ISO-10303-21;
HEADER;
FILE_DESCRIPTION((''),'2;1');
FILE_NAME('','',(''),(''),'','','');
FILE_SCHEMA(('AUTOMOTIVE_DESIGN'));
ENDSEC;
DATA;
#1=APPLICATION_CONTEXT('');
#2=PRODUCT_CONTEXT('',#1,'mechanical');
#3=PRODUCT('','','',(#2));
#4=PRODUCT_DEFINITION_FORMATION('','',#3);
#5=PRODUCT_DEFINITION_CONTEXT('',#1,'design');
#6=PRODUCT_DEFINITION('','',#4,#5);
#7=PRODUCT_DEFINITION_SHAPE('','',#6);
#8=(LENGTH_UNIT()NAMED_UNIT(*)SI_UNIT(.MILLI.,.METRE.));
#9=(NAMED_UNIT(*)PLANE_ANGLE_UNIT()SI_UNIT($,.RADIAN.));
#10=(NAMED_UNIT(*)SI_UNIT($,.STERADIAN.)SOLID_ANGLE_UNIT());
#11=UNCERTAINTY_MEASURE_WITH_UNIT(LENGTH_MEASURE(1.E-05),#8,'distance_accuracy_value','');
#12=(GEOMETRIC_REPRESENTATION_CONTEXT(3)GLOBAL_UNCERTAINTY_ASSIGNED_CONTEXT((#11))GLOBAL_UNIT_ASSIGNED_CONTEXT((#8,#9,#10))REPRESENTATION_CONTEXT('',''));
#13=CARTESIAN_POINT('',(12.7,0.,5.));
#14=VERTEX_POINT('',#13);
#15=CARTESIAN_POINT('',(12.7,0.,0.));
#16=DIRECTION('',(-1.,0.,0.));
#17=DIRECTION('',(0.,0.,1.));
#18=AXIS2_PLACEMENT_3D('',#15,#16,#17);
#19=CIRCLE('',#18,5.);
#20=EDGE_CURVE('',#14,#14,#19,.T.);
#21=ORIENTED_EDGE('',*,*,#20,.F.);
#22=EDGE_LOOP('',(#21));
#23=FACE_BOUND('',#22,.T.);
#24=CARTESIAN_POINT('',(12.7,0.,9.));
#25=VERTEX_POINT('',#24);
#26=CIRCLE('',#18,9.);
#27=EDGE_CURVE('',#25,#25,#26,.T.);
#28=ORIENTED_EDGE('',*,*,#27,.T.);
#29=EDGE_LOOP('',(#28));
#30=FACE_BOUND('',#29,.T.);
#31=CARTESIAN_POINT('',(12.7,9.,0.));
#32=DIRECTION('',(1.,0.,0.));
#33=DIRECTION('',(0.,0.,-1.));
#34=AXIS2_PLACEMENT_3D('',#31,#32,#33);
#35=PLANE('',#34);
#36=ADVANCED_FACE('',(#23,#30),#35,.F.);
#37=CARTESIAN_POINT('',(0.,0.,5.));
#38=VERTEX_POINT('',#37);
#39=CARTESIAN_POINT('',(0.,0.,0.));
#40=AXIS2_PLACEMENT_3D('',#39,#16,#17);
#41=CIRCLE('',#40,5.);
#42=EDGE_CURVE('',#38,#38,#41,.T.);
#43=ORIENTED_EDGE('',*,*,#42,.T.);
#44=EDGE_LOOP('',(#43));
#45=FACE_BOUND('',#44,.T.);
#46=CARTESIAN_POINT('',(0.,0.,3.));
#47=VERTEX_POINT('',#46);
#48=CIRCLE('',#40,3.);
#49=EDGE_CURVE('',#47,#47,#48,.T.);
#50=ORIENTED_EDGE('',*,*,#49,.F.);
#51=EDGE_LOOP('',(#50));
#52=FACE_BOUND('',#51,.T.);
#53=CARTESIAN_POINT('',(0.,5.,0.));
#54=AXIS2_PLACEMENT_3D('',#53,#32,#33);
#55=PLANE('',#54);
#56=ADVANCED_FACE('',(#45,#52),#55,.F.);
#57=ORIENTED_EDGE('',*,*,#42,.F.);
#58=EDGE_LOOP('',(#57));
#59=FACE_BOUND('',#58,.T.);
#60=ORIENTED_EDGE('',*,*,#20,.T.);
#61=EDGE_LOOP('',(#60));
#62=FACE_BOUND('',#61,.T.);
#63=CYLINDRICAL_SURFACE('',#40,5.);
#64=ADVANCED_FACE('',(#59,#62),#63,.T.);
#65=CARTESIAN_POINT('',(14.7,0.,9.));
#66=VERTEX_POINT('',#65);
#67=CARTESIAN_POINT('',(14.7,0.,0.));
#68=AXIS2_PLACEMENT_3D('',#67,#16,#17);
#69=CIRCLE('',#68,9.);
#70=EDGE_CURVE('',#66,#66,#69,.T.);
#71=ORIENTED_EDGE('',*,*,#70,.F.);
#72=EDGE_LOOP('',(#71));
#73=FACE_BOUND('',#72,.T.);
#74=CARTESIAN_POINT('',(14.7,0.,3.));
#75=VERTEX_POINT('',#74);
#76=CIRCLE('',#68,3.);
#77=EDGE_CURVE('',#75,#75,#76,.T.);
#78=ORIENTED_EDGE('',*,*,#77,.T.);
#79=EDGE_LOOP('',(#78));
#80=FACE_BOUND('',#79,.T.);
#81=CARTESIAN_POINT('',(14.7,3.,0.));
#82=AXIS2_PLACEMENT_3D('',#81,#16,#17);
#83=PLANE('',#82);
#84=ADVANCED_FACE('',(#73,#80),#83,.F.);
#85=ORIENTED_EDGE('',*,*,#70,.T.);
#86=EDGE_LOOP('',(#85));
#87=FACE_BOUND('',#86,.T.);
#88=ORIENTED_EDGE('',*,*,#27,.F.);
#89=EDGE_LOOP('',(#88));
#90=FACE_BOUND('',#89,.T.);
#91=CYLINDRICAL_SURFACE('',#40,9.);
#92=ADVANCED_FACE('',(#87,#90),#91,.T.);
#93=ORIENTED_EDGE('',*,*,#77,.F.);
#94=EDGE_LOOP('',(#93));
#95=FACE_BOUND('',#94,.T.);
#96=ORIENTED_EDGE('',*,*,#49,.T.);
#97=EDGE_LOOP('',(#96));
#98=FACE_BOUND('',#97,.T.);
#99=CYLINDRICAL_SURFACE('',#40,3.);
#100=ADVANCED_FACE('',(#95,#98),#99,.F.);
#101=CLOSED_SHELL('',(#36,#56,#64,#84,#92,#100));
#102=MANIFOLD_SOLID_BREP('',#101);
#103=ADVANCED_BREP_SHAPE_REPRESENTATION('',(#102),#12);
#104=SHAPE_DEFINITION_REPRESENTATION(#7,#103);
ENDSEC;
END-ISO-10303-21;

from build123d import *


with BuildPart() as part:
    # Sketch1 → Revolve1 (revolve)
    with BuildSketch(Plane.XY):
        Polygon((0, 3), (14.7, 3), (14.7, 9), (12.7, 9), (12.7, 5), (0, 5), align=None)
    revolve(axis=Axis((0, 0, 0), (1, 0, 0)))


solid = part.part
